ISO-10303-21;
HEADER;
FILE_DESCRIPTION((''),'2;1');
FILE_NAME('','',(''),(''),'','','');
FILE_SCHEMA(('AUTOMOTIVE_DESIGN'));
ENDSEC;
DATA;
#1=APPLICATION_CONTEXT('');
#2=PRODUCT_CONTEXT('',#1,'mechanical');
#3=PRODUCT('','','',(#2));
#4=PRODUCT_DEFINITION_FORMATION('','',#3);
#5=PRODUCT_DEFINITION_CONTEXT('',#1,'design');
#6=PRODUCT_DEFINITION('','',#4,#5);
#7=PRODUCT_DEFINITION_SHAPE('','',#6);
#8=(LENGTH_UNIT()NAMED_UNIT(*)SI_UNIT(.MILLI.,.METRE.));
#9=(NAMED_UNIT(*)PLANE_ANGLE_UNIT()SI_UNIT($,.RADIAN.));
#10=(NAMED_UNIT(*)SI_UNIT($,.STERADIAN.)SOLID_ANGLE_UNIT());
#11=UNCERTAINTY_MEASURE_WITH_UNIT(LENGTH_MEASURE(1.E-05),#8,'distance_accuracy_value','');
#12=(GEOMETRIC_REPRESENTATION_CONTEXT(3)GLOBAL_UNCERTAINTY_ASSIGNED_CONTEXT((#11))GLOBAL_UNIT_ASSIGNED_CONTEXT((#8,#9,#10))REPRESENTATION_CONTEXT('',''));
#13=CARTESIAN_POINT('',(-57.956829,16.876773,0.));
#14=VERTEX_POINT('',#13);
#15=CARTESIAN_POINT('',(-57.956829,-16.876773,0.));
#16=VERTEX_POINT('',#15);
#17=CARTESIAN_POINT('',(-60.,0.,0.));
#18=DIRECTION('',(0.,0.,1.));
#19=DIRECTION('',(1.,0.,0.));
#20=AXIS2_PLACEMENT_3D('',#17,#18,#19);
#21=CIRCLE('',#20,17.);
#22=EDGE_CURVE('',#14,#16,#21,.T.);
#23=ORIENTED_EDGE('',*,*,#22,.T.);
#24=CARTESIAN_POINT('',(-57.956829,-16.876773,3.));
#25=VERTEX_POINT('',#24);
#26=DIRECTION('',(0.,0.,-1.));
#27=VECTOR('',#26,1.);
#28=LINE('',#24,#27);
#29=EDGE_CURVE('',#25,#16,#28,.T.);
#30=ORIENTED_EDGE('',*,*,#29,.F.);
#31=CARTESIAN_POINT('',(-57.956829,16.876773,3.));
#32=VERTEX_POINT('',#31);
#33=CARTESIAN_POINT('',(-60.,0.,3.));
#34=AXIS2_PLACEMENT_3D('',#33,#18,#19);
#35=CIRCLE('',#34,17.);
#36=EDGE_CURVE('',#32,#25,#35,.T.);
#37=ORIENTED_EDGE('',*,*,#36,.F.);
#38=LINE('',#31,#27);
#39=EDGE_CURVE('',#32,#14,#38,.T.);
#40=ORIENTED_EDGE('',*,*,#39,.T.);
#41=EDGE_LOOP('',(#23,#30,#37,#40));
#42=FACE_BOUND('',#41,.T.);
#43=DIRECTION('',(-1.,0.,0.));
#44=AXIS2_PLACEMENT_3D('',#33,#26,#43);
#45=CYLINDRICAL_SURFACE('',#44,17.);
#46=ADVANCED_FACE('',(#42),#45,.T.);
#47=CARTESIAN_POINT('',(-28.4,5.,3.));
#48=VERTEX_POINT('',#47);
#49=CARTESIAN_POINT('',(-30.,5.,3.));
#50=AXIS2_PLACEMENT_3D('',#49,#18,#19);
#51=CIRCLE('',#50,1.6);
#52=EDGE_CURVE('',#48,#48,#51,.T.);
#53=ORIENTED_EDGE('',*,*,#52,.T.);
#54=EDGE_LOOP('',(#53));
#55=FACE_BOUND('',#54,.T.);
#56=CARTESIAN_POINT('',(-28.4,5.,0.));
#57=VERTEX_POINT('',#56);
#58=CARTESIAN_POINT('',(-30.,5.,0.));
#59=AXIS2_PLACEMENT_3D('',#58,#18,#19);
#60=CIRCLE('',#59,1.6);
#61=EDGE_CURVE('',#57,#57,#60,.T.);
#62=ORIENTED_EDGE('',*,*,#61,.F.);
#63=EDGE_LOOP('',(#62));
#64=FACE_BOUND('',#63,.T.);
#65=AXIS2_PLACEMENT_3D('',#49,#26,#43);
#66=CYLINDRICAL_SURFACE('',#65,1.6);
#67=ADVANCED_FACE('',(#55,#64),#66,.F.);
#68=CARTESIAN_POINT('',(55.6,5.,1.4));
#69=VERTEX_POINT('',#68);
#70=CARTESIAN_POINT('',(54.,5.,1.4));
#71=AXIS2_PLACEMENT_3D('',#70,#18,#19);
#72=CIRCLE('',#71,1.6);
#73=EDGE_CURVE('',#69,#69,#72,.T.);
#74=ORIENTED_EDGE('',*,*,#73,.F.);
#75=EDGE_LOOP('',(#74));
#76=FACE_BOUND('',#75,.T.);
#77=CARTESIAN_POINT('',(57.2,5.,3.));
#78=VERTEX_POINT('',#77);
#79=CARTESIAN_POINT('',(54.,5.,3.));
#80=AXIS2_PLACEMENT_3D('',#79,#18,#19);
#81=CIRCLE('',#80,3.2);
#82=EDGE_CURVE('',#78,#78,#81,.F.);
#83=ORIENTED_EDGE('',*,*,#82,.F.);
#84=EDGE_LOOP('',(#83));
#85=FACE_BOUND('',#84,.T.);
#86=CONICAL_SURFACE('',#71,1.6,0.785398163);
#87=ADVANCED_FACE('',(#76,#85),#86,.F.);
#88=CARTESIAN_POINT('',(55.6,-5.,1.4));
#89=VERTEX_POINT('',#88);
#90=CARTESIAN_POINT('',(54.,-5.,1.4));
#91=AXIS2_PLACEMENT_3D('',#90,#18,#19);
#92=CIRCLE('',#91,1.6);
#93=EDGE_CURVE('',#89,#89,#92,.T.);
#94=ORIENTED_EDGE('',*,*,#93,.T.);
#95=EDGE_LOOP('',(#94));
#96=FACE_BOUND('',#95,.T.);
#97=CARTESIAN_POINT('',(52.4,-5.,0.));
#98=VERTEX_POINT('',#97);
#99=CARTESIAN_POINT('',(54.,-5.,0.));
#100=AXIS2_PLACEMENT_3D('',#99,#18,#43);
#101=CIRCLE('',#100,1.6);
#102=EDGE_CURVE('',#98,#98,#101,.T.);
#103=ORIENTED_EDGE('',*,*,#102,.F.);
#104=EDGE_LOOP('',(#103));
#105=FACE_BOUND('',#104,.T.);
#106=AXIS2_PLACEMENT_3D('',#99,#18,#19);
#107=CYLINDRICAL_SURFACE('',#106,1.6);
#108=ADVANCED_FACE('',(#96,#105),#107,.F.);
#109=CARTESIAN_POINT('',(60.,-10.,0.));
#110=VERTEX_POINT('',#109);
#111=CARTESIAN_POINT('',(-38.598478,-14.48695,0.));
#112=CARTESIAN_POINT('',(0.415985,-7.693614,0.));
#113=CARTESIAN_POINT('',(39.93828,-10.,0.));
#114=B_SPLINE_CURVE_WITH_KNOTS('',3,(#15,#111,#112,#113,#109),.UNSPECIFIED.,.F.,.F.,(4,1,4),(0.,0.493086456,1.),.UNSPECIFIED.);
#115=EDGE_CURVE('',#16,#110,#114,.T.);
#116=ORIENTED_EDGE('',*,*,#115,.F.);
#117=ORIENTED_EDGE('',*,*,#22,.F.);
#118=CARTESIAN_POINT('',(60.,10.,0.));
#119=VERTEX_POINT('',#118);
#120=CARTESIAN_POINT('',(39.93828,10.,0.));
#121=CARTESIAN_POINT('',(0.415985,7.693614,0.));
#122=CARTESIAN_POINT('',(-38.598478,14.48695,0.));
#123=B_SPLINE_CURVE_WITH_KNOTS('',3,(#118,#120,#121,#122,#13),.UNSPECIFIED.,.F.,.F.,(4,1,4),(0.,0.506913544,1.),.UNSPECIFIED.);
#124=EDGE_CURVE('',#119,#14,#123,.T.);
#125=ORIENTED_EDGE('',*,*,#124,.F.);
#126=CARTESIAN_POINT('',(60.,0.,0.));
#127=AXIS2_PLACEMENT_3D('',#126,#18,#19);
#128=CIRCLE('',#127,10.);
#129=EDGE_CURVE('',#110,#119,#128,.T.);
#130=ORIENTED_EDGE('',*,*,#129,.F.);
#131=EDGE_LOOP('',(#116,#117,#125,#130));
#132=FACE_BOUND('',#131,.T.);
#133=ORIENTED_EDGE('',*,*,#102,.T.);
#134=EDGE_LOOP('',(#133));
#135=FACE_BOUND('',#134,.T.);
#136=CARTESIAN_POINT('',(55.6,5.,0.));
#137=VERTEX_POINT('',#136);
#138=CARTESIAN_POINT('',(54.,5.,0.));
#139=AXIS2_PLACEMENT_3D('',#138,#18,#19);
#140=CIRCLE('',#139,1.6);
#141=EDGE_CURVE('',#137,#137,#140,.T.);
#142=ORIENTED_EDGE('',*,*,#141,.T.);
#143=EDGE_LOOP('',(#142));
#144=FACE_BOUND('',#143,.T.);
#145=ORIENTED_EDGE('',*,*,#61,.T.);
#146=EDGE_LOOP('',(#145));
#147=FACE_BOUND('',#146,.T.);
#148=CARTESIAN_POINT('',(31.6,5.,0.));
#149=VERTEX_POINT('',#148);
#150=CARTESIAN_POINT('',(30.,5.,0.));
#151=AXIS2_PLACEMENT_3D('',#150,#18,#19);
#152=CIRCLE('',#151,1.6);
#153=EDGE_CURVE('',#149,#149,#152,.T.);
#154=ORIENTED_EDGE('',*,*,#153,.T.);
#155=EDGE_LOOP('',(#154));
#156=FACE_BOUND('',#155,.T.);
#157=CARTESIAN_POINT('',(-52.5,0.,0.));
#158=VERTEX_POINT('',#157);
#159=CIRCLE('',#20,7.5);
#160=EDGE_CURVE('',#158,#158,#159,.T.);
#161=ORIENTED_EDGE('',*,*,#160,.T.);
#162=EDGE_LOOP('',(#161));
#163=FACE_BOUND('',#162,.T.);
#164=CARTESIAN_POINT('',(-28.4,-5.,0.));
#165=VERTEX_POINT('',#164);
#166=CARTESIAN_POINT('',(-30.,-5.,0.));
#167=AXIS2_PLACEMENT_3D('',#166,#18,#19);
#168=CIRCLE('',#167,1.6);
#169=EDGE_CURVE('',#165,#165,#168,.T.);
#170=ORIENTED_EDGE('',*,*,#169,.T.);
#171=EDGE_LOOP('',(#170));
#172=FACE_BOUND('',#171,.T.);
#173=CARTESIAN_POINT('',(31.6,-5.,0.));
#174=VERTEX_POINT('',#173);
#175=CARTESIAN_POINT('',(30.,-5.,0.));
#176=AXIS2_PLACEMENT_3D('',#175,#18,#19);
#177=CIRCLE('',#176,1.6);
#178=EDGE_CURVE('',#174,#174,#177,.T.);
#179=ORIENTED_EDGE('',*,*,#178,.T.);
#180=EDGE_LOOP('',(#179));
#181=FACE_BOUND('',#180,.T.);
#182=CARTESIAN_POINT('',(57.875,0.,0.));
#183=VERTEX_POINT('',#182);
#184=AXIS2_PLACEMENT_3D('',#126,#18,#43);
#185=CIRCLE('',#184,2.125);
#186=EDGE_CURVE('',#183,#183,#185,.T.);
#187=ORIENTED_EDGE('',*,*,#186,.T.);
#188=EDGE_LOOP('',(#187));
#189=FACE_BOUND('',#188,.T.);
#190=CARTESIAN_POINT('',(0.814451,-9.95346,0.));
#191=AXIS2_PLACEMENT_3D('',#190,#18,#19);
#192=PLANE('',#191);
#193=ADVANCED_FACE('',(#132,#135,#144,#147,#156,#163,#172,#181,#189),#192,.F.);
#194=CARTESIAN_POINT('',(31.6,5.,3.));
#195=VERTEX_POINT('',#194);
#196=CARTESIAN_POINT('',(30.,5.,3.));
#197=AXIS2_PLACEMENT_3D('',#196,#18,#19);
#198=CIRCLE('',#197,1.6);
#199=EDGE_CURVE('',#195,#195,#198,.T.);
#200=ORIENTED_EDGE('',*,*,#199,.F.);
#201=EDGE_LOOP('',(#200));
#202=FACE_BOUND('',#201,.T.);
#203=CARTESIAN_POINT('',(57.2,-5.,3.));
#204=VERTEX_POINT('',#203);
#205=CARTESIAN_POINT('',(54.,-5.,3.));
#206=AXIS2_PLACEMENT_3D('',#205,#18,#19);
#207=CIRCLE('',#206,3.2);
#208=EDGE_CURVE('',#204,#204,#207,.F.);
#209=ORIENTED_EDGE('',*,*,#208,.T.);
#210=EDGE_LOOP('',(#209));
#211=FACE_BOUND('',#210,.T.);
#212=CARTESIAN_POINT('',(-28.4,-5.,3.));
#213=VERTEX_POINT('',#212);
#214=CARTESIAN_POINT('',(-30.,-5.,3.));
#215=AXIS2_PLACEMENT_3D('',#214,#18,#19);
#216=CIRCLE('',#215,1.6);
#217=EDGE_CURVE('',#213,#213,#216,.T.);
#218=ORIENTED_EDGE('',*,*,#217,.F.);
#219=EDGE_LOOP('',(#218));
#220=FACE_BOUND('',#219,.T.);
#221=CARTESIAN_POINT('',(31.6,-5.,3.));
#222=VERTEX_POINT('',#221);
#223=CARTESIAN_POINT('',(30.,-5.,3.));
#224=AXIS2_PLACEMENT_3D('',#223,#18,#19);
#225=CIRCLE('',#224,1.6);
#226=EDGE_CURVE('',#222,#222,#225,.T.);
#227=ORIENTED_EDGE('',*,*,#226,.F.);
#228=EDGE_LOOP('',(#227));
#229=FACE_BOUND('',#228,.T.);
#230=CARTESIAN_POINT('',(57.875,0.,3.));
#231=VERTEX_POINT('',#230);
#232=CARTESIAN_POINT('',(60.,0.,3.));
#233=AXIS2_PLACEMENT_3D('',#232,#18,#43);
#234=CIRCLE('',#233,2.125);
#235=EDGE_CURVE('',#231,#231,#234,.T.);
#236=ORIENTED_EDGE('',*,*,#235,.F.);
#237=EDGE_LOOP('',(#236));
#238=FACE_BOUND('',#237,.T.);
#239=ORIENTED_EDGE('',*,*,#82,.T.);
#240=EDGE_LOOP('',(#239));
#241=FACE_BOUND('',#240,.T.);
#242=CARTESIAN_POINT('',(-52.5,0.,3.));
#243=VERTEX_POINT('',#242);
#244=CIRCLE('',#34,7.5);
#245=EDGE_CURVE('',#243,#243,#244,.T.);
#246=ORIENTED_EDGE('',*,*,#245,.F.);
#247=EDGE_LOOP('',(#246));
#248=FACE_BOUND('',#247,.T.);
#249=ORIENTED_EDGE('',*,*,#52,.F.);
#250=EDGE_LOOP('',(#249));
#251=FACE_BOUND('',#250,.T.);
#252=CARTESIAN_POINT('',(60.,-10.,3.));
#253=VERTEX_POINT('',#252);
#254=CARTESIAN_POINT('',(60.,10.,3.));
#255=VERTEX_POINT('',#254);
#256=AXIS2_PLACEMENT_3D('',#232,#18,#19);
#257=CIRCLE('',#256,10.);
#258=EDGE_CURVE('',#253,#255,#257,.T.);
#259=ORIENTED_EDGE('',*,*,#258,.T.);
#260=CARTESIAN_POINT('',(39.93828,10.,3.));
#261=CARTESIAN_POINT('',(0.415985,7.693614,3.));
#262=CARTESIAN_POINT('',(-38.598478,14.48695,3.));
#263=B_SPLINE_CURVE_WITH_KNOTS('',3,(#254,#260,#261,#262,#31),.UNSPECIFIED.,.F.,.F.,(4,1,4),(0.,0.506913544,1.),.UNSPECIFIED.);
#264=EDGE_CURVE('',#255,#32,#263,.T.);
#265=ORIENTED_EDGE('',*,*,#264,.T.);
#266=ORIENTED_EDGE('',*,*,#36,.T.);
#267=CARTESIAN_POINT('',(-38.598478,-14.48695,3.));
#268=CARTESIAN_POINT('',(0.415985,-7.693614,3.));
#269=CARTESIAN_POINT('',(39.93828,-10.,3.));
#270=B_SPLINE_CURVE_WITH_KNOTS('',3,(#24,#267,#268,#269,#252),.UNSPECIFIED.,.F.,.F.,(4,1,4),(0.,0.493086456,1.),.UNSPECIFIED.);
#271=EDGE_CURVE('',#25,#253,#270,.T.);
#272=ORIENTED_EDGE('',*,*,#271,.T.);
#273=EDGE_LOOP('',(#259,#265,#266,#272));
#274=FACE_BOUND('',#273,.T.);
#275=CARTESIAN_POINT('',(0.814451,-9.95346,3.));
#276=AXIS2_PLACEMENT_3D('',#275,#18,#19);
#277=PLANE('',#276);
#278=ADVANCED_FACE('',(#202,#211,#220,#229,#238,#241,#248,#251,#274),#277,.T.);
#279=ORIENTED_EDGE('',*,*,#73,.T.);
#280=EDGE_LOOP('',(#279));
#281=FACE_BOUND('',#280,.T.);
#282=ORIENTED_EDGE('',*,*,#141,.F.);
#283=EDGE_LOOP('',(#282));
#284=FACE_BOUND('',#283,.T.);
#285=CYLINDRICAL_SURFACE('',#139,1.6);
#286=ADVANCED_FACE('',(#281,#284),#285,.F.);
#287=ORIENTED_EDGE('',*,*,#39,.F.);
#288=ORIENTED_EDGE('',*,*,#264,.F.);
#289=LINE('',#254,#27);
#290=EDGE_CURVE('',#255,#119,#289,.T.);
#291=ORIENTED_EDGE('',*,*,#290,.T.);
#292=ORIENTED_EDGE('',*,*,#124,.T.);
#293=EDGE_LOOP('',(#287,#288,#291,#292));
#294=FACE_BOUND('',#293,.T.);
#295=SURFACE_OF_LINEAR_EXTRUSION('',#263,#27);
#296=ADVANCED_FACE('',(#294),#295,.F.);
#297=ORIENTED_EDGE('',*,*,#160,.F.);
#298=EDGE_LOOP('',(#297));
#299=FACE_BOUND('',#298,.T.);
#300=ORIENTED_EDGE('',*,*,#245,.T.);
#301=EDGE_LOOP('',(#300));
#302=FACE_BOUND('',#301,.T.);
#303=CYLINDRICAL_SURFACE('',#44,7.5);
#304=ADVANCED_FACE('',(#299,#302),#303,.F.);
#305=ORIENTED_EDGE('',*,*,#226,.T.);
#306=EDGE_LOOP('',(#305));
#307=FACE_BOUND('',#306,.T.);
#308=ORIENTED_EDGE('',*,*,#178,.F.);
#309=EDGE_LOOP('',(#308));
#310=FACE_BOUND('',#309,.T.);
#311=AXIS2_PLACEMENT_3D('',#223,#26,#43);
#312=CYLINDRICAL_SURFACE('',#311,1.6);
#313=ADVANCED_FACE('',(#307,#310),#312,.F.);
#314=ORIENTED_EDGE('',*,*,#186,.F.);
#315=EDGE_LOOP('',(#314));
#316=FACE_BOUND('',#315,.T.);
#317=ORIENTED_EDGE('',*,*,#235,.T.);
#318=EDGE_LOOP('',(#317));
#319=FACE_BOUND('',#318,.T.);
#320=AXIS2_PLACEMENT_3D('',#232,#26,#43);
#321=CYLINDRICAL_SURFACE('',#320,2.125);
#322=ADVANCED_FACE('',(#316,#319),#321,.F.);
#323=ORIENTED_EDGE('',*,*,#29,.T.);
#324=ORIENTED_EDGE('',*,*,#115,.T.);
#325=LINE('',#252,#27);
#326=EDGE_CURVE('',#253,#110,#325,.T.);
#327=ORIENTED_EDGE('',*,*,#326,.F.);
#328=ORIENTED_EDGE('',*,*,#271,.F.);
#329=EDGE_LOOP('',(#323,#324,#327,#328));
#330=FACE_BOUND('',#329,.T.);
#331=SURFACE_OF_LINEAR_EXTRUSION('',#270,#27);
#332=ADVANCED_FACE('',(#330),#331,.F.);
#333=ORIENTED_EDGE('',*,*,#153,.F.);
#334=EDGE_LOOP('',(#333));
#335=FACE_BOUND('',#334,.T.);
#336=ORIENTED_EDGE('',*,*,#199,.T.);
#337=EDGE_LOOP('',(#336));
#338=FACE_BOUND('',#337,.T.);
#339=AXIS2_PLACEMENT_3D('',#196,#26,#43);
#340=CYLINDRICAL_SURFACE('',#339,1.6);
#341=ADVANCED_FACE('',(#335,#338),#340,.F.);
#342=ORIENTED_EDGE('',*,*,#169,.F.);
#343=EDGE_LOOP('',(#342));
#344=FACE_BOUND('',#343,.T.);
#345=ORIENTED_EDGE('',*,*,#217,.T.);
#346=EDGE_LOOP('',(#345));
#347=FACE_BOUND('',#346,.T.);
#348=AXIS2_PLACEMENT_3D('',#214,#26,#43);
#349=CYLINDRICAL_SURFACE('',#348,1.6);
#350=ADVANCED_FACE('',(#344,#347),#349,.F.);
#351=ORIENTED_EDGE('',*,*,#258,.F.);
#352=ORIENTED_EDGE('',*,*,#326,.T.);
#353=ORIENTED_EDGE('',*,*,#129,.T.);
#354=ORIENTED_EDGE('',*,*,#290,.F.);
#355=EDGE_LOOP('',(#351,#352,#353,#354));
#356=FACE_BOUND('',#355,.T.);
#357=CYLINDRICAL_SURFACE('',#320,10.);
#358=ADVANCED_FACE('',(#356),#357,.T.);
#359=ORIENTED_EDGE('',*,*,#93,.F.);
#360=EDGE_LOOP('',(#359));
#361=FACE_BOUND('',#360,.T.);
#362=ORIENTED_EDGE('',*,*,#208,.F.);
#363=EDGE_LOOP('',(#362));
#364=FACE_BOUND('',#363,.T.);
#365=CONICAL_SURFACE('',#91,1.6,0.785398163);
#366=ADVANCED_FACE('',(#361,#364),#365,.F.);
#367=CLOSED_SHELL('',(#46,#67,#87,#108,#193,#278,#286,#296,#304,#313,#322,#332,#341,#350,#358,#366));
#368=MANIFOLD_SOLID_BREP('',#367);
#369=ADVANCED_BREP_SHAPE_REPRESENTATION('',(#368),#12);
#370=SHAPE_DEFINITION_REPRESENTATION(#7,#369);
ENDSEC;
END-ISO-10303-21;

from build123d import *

# Parameters (mm, degrees)
SKETCH1_R           = 7.5
SKETCH1_R_2         = 2.125
SKETCH1_R_3         = 1.6
BOSS_EXTRUDE1_DEPTH = 3
SKETCH2_R           = 1.6
CUT_EXTRUDE1_DEPTH  = 79.91134278
CHAMFER1_SIZE       = 1.6


with BuildPart() as part:
    # Sketch1 → Boss-Extrude1 (new body)
    with BuildSketch(Plane.XY):
        with BuildLine():
            ThreePointArc((-57.956829007, 16.876772567), (-77, 0), (-57.956829007, -16.876772567))
            add(Edge.make_bspline(
                [(60, -10), (39.938279517, -10), (0.415985338, -7.693613776), (-38.598478023, -14.486949791), (-57.956829007, -16.876772567)],
                knots=[0, 0, 0, 0, 0.506913544, 1, 1, 1, 1], degree=3))
            ThreePointArc((60, -10), (70, 0), (60, 10))
            add(Edge.make_bspline(
                [(60, 10), (39.938279517, 10), (0.415985338, 7.693613776), (-38.598478023, 14.486949791), (-57.956829007, 16.876772567)],
                knots=[0, 0, 0, 0, 0.506913544, 1, 1, 1, 1], degree=3))
        make_face()
        with Locations((-60, 0)):
            Circle(SKETCH1_R, mode=Mode.SUBTRACT)
        with Locations(Location((60, 0, 0), (0, 0, 180))):
            Circle(SKETCH1_R_2, mode=Mode.SUBTRACT)
        with Locations((-30, 5)):
            Circle(SKETCH1_R_3, mode=Mode.SUBTRACT)
        with Locations((30, 5)):
            Circle(SKETCH1_R_3, mode=Mode.SUBTRACT)
        with Locations((30, -5)):
            Circle(SKETCH1_R_3, mode=Mode.SUBTRACT)
        with Locations((-30, -5)):
            Circle(SKETCH1_R_3, mode=Mode.SUBTRACT)
    extrude(amount=BOSS_EXTRUDE1_DEPTH)

    # Sketch2 → Cut-Extrude1 (cut, through all)
    with BuildSketch(Plane.XY.offset(3)):
        with Locations((54, 5)):
            Circle(SKETCH2_R)
        with Locations(Location((54, -5, 0), (0, 0, 180))):
            Circle(SKETCH2_R)
    extrude(amount=-CUT_EXTRUDE1_DEPTH, mode=Mode.SUBTRACT)

    # Chamfer1
    chamfer1_edges = [part.edges().sort_by_distance(p)[0] for p in [
        (52.4, 5, 3),
        (55.6, -5, 3),
    ]]
    chamfer(chamfer1_edges, length=CHAMFER1_SIZE)


solid = part.part
